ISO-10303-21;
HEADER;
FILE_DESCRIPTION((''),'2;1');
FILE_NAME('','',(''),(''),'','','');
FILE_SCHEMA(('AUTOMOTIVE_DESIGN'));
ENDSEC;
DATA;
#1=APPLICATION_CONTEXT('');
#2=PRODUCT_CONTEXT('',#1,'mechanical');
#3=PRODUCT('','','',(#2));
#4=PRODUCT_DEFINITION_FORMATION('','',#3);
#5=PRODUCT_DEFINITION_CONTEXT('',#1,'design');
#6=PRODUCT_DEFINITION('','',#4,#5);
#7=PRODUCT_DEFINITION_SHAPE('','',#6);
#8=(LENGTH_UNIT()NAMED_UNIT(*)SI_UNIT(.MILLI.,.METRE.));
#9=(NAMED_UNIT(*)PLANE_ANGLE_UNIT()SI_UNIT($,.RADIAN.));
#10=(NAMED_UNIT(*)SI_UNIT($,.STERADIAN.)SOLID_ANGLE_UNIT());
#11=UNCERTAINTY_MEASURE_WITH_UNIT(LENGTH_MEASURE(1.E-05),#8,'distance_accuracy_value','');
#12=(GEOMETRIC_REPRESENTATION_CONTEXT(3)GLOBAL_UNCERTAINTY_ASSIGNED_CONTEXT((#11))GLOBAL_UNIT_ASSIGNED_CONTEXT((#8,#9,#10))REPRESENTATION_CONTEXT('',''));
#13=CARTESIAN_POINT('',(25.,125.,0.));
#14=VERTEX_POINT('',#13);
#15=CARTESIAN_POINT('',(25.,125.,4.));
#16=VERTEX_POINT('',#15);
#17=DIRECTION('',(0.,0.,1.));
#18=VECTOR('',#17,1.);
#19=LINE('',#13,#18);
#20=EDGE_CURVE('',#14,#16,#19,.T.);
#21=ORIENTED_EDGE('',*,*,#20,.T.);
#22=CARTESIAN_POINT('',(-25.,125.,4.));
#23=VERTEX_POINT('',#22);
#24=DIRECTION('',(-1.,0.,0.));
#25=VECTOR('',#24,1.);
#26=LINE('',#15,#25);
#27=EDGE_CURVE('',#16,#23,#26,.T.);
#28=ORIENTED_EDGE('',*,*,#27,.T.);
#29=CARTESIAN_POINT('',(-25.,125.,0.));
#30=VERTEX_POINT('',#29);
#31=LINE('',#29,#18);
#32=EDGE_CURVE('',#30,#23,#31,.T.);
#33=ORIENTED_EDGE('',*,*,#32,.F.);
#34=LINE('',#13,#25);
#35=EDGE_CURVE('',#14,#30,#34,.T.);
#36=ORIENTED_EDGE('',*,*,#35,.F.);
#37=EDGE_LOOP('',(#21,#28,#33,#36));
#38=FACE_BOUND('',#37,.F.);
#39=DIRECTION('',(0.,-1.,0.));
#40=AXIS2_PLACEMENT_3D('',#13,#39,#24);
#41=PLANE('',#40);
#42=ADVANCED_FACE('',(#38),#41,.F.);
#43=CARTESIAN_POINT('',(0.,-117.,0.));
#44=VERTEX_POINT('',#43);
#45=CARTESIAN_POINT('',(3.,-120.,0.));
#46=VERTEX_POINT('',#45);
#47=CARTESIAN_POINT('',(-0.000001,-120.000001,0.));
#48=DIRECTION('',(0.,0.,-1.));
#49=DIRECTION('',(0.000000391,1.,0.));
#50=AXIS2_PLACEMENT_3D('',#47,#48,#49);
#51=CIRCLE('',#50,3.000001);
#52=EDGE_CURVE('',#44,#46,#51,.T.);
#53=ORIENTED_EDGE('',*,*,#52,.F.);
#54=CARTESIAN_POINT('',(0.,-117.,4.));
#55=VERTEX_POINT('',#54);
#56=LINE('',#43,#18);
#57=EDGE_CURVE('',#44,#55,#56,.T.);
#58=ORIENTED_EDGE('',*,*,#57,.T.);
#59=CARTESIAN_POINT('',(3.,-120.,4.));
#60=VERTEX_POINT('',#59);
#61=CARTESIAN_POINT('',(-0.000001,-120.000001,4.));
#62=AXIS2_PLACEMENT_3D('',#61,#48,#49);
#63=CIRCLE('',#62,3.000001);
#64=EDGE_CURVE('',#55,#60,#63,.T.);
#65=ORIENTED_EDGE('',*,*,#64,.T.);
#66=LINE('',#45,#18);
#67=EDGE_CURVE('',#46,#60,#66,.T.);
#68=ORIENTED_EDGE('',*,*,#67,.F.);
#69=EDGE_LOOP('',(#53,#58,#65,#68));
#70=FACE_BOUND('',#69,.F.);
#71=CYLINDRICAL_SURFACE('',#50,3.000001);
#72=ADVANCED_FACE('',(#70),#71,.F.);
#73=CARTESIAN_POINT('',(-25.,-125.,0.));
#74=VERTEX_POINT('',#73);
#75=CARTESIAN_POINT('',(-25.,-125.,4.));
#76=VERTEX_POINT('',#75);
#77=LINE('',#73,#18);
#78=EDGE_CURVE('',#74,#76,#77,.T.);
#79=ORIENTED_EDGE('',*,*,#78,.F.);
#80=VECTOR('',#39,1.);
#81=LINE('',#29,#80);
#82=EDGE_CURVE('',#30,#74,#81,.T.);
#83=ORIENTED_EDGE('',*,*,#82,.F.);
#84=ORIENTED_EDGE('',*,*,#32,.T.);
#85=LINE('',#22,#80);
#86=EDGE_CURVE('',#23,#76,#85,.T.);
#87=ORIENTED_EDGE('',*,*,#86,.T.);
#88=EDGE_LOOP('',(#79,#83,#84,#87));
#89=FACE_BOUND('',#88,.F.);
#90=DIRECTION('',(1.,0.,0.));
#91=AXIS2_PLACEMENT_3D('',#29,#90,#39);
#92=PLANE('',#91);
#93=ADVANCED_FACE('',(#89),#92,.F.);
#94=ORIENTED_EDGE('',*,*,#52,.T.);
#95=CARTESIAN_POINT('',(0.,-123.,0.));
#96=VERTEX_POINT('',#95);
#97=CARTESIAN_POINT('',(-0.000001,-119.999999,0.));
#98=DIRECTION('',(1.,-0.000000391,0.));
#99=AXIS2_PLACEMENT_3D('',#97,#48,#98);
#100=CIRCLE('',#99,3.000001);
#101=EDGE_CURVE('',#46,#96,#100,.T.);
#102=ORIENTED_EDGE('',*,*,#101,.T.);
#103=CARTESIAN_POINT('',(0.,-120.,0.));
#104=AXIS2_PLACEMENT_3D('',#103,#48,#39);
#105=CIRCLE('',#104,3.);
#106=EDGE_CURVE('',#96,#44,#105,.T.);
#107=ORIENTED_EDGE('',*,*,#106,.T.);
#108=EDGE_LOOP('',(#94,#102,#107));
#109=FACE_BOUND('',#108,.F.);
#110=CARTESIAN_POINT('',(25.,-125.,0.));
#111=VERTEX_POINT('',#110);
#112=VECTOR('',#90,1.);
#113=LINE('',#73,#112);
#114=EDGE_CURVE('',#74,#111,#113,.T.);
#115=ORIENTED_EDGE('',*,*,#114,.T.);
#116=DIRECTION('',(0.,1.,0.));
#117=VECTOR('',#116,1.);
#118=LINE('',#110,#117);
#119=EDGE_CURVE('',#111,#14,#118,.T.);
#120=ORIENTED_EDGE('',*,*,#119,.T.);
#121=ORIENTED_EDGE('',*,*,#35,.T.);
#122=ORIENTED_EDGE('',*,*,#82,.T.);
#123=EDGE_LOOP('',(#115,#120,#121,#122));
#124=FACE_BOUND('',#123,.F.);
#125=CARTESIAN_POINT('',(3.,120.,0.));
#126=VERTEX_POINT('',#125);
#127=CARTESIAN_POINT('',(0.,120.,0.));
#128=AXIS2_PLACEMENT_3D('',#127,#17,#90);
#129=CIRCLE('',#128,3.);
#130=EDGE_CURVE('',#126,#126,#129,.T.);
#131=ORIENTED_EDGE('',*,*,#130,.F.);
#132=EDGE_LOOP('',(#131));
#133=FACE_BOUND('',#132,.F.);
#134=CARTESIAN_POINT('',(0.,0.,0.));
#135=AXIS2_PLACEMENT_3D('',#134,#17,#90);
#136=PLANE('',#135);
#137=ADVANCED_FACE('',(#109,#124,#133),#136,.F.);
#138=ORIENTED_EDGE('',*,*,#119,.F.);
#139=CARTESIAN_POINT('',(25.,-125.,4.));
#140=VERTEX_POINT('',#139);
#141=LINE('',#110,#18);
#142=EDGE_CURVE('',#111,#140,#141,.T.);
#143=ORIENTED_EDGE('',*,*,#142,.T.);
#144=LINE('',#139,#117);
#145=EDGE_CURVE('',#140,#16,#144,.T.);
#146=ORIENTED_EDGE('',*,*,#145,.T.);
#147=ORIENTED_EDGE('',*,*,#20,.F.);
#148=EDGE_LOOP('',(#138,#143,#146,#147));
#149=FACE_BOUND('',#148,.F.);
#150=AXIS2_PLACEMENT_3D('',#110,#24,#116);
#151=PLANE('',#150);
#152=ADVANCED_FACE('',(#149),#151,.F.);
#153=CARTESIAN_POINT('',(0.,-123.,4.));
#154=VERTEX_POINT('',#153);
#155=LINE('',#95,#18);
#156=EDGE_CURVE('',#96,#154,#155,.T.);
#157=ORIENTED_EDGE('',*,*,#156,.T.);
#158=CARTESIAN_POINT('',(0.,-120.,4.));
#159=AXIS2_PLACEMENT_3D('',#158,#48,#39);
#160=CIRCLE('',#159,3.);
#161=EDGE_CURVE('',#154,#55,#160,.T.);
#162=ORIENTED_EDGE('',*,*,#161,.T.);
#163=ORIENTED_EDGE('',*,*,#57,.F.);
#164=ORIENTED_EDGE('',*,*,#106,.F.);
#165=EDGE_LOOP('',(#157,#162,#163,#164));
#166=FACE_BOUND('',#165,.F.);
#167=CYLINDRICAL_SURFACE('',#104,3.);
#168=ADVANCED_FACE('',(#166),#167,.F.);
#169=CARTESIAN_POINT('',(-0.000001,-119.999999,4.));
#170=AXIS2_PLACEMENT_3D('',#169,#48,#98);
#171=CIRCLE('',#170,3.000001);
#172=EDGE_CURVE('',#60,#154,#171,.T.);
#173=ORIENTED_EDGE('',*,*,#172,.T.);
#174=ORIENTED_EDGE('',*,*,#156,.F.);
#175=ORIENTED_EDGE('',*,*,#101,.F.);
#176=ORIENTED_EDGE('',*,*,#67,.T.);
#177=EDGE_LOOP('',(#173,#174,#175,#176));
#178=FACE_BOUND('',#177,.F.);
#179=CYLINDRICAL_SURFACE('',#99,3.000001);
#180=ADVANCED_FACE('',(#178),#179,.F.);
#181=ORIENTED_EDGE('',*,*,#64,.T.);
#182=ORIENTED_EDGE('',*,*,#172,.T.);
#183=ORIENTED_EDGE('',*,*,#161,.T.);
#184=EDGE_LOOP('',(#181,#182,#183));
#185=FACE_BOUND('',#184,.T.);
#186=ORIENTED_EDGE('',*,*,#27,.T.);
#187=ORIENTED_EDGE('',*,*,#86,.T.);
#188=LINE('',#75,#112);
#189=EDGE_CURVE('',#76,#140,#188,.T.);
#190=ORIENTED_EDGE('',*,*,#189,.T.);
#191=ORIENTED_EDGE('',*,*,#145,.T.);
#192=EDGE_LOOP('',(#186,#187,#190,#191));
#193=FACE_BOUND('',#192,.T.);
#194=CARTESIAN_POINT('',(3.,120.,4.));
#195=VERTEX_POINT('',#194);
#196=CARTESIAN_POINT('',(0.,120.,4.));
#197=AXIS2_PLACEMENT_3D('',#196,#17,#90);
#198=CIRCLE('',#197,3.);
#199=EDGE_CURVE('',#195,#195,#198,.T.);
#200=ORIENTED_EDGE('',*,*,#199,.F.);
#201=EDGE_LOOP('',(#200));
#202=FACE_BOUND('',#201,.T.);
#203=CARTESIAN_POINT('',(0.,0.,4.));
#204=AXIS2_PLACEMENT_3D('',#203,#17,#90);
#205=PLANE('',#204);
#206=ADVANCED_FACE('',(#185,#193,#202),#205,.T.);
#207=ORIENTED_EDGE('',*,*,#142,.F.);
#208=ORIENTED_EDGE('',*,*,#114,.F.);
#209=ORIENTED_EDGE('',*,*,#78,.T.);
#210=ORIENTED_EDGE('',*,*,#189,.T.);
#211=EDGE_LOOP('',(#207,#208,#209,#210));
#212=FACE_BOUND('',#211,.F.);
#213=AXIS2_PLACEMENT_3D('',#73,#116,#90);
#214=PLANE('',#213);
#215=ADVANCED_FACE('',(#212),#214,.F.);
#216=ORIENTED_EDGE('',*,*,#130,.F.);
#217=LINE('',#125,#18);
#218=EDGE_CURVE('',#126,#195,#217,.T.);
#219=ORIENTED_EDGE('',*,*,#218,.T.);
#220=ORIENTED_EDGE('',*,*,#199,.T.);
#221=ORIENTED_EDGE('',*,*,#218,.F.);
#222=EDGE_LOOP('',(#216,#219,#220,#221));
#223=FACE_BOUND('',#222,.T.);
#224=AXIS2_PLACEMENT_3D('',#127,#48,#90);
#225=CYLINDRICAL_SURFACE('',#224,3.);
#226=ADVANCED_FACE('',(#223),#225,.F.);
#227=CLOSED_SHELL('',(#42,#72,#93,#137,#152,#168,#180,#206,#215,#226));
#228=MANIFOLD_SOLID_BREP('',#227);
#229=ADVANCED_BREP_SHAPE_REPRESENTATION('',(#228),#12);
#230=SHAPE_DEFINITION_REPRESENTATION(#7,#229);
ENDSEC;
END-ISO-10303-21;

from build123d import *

# Parameters (mm, degrees)
F0_R     = 3
F1_DEPTH = 4


with BuildPart() as f1:
    # F0 (on Top) → F1 (new body)
    with BuildSketch(Plane.XY):
        Polygon((25, 125), (-25, 125), (-25, -125), (0, -125), (25, -125), align=None)
        with BuildLine():
            ThreePointArc((3, -120), (2.12132, -122.12132), (0, -123))
            ThreePointArc((0, -123), (-3, -120), (0, -117))
            ThreePointArc((0, -117), (2.12132, -117.87868), (3, -120))
        make_face(mode=Mode.SUBTRACT)
        with Locations((0, 120)):
            Circle(F0_R, mode=Mode.SUBTRACT)
    extrude(amount=F1_DEPTH)


solid = f1.part
